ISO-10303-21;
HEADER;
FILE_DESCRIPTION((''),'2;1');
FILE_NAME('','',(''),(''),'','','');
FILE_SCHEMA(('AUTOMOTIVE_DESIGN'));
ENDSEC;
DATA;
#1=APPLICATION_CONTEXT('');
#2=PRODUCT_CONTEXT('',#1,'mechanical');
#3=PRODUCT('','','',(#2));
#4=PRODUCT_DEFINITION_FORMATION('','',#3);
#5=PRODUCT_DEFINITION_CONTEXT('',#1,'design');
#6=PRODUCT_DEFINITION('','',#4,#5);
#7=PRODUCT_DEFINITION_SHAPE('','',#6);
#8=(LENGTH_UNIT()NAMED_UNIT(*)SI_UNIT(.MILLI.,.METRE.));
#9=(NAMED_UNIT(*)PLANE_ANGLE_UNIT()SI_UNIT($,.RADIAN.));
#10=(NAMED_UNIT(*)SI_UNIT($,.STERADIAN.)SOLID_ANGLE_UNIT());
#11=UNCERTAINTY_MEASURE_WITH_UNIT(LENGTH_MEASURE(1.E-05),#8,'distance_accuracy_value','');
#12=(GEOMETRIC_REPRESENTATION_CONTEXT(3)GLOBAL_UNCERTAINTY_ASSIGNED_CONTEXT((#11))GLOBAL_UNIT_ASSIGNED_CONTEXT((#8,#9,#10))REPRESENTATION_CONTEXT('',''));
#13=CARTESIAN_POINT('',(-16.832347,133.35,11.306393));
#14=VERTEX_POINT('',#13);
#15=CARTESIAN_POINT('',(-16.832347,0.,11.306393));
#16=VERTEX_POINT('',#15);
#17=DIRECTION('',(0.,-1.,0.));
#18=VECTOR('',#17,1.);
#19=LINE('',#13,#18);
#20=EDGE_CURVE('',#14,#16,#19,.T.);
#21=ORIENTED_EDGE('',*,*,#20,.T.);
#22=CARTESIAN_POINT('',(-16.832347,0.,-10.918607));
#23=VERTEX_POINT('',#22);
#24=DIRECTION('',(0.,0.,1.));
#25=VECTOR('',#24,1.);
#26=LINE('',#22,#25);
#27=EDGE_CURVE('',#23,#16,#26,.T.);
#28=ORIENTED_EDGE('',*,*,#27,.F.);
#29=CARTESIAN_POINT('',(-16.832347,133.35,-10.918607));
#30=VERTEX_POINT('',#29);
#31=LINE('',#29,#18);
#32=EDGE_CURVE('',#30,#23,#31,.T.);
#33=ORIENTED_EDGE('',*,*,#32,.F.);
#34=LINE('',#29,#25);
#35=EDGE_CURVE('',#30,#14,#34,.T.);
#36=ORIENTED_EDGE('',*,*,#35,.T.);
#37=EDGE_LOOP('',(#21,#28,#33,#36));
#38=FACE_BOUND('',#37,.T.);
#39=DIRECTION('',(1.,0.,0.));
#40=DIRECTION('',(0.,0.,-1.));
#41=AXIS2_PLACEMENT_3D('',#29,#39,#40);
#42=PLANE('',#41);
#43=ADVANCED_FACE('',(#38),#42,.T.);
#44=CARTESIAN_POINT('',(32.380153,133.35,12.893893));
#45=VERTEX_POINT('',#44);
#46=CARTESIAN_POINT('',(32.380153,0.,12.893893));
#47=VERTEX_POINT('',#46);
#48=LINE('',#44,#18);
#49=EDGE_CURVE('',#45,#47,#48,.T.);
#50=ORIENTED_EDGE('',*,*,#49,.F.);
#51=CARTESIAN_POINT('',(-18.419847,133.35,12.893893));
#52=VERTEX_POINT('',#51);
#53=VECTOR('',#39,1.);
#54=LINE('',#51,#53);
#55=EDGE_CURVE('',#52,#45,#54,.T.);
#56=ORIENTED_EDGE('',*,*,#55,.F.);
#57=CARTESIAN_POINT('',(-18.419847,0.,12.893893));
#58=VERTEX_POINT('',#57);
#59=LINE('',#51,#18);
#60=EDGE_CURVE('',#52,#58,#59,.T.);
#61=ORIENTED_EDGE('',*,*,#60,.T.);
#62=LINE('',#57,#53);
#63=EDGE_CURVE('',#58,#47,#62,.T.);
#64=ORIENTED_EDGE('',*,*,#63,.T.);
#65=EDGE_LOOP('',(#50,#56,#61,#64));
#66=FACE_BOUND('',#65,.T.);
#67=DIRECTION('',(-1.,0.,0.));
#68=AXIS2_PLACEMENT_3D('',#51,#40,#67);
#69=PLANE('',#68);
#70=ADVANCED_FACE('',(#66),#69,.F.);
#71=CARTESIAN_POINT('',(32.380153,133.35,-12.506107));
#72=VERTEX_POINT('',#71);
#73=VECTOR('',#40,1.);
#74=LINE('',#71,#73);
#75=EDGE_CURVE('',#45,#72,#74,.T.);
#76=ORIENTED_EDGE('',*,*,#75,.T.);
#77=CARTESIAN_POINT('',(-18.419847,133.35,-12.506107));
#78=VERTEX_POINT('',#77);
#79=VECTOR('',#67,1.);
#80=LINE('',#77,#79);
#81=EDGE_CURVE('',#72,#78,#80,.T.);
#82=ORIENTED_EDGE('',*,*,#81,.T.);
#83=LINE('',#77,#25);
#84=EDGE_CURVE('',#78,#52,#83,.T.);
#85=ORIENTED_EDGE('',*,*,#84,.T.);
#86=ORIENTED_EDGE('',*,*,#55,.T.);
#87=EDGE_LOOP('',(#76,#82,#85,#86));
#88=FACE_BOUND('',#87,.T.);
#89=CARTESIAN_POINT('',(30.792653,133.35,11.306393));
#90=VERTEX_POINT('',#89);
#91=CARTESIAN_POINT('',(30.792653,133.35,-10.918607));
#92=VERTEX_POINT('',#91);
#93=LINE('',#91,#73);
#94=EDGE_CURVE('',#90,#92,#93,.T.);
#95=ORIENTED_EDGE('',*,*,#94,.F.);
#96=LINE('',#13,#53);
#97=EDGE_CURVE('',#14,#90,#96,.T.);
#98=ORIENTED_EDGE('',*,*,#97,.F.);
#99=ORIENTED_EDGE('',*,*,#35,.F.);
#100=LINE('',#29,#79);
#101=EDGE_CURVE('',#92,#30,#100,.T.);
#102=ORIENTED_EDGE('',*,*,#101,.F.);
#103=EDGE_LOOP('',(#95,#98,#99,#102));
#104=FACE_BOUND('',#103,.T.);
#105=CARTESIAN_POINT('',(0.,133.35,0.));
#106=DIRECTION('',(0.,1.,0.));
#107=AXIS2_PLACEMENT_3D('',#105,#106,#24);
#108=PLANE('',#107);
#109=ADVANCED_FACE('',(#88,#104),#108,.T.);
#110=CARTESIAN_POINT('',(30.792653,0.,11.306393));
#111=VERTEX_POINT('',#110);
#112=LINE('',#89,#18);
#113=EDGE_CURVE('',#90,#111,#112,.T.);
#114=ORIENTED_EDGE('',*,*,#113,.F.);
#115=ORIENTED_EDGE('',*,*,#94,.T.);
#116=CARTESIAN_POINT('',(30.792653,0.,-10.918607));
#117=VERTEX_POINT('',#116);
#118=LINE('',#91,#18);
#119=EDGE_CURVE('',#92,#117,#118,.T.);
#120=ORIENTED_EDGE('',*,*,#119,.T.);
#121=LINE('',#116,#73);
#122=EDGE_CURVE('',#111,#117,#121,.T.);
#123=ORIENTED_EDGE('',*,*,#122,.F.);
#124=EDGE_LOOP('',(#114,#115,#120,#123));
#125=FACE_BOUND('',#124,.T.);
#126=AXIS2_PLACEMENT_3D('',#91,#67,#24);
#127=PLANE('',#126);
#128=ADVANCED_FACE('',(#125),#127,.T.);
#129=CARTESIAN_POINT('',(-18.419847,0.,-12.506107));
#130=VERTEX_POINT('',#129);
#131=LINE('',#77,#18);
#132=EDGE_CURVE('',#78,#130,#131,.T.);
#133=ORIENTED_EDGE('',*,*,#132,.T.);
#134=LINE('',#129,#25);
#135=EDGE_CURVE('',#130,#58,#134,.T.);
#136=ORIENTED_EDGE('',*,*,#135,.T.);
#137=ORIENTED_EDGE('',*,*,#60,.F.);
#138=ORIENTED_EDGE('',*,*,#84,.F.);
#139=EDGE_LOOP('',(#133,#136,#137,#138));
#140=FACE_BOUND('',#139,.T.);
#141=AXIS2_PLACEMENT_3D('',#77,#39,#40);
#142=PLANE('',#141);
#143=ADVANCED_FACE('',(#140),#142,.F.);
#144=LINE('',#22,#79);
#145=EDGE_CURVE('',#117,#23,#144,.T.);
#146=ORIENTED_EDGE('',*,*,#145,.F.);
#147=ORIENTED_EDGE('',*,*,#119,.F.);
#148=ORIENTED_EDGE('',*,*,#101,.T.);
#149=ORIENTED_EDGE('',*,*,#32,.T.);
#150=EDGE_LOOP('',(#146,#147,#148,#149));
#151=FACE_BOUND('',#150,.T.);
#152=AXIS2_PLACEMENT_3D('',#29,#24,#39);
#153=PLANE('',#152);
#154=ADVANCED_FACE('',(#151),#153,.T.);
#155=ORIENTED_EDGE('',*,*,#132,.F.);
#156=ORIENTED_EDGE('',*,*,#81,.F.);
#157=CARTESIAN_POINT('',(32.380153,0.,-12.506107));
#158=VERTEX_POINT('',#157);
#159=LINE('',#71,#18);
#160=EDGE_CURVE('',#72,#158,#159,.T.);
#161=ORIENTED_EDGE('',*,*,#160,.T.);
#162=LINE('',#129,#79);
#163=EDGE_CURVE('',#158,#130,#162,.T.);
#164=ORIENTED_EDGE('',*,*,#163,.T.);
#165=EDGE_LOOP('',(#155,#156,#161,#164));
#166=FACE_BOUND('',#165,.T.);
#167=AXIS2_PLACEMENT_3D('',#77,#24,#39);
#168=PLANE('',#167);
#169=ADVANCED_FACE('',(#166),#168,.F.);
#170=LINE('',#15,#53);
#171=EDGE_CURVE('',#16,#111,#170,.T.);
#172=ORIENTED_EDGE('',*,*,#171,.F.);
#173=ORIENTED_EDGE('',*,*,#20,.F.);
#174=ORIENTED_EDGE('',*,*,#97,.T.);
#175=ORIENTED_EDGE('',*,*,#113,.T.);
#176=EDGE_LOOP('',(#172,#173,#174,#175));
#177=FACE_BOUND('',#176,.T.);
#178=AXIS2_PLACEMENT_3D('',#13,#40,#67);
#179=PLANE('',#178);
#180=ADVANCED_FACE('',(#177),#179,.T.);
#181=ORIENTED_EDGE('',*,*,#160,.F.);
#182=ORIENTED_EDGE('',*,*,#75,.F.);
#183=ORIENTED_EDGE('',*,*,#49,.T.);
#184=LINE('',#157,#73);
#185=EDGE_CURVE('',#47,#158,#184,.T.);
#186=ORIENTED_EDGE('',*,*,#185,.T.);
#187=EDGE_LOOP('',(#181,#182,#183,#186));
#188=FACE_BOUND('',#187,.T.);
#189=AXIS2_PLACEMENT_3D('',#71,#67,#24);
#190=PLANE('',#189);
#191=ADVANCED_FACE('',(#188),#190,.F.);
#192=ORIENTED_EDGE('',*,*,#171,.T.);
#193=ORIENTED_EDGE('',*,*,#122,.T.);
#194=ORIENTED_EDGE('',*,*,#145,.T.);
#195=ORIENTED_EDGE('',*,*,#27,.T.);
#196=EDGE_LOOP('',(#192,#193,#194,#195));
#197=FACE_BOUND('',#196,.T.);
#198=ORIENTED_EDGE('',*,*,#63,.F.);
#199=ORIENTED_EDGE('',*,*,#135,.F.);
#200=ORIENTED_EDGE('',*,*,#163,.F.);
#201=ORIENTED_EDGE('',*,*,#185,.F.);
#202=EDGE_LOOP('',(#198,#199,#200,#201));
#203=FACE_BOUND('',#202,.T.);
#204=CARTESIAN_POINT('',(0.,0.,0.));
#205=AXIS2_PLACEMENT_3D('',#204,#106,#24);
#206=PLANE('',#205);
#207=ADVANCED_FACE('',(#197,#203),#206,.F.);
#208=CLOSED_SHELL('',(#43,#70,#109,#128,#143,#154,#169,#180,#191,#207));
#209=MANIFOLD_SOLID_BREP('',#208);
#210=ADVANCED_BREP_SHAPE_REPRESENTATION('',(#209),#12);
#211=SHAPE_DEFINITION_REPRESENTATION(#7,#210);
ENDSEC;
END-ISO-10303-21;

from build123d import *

# Parameters (mm, degrees)
SKETCH1_W           = 50.8
SKETCH1_H           = 25.4
SKETCH1_W_2         = 47.625
SKETCH1_H_2         = 22.225
BOSS_EXTRUDE1_DEPTH = 133.35


with BuildPart() as part:
    # Sketch1 → Boss-Extrude1 (new body)
    with BuildSketch(Plane(origin=(0, 0, 0), x_dir=(1, 0, 0), z_dir=(0, 1, 0))):
        with Locations((6.980152672, -0.19389313)):
            Rectangle(SKETCH1_W, SKETCH1_H)
        with Locations((6.980152672, -0.19389313)):
            Rectangle(SKETCH1_W_2, SKETCH1_H_2, mode=Mode.SUBTRACT)
    extrude(amount=BOSS_EXTRUDE1_DEPTH)


solid = part.part
